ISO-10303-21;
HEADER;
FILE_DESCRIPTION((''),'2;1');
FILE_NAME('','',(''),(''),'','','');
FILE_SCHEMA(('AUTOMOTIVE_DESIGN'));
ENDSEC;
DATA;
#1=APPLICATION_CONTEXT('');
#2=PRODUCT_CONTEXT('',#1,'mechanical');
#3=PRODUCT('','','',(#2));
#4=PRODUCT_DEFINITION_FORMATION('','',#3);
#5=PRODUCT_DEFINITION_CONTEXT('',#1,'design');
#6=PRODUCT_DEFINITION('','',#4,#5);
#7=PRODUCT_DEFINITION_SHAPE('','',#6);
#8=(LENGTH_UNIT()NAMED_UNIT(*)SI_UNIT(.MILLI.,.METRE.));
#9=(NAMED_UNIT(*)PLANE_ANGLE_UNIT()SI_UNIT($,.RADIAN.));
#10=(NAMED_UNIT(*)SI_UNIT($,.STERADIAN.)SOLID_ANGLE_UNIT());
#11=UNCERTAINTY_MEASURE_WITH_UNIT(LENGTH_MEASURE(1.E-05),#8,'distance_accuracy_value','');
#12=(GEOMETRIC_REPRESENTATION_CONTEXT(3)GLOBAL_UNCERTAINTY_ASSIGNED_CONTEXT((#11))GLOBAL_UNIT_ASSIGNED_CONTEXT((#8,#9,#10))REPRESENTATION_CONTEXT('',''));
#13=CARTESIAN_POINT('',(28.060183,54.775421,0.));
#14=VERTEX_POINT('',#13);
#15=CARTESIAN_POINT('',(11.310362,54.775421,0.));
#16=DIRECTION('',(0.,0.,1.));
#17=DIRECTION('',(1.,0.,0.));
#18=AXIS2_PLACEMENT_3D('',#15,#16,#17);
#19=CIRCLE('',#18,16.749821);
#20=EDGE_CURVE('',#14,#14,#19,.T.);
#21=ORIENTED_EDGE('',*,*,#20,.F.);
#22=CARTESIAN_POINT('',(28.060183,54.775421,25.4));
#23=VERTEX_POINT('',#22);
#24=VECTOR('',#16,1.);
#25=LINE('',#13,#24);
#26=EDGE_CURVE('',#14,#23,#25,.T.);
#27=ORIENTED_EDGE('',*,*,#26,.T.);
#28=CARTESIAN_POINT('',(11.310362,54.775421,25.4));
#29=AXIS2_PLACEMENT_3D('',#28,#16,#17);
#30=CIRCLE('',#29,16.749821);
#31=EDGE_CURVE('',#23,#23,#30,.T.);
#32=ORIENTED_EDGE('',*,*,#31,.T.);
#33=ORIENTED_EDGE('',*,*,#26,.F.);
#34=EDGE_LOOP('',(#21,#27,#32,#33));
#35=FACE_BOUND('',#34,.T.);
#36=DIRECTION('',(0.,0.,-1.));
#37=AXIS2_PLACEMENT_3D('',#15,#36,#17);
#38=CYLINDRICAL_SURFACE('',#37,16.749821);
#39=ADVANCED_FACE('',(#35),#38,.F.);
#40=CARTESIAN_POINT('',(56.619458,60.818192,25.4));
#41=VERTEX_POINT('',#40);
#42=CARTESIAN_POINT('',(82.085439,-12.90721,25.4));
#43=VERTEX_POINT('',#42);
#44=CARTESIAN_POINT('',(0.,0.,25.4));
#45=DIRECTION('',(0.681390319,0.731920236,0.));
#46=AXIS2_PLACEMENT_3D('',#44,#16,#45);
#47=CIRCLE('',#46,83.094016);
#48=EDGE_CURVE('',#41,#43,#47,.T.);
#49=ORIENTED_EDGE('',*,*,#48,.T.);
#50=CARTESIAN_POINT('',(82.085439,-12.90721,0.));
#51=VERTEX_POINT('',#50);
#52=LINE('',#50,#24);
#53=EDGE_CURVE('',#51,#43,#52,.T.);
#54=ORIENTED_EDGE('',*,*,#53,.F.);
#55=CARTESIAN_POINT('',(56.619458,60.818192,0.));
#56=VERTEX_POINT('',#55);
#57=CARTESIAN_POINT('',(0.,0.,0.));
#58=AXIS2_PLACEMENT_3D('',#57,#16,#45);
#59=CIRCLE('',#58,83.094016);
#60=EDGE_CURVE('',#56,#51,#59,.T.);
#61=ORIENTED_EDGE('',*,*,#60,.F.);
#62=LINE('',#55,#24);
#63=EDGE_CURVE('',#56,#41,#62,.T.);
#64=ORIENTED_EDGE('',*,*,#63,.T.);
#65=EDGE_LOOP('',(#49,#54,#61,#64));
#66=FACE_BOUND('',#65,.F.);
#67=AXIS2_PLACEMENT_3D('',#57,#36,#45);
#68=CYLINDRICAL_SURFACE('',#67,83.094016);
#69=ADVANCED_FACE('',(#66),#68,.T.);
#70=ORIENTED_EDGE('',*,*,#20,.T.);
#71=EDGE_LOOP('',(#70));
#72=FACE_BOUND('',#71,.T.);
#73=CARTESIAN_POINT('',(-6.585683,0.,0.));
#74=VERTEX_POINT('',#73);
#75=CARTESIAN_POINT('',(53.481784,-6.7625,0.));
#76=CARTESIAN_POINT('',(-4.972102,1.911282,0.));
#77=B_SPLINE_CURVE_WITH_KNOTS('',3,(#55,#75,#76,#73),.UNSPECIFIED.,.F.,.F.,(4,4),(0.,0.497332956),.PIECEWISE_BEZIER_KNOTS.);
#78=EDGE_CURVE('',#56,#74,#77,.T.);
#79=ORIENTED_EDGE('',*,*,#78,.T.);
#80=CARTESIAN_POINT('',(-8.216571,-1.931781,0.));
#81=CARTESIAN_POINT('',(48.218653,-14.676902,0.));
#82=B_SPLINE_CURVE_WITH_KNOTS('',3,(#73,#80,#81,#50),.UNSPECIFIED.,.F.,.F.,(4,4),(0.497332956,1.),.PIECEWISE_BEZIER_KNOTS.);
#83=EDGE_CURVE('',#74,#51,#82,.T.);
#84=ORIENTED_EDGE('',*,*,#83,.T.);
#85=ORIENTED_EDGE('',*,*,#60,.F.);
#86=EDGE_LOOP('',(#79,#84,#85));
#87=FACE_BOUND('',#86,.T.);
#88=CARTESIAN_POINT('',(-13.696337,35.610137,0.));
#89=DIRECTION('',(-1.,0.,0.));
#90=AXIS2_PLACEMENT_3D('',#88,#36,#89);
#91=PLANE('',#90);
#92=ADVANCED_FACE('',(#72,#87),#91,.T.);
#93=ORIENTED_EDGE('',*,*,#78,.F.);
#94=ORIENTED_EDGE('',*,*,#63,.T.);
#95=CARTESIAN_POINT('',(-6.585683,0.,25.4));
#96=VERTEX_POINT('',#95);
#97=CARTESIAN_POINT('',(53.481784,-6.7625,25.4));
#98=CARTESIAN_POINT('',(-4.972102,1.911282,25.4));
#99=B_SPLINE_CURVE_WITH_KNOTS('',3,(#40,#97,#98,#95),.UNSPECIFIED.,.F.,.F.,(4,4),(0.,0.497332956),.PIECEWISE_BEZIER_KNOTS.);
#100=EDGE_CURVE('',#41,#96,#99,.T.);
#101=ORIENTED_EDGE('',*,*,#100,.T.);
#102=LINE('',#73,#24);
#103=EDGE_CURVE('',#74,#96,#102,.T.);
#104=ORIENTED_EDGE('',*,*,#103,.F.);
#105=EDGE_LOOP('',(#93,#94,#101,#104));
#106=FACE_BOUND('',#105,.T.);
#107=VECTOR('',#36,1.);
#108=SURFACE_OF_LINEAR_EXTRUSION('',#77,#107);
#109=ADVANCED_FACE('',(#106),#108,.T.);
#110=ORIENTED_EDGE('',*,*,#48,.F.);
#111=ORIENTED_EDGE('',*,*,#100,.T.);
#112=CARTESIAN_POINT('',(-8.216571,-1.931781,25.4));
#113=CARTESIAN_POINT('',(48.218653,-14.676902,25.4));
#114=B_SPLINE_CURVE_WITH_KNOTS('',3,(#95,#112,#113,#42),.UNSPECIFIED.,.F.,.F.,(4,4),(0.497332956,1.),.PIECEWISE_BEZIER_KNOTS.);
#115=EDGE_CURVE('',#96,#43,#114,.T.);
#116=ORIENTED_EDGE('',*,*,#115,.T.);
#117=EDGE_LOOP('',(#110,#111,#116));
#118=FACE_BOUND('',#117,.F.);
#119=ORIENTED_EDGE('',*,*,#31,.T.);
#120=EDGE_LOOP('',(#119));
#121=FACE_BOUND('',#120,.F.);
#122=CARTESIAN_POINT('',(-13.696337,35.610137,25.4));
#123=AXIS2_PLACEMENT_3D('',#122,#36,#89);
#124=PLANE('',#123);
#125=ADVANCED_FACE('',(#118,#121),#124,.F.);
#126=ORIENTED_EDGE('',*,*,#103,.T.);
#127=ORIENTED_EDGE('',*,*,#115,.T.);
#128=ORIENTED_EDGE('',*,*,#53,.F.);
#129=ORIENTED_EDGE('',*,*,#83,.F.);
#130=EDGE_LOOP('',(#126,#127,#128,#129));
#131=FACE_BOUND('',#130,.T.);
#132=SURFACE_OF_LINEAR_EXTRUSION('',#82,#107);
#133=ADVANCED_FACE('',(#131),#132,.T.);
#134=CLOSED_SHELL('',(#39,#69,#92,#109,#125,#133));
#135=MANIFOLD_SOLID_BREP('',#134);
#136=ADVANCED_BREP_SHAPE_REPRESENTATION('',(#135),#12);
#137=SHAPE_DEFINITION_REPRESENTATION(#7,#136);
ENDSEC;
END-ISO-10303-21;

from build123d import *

# Parameters (mm, degrees)
F0_R     = 16.7498212232
F1_DEPTH = 25.4


with BuildPart() as f1:
    # F0 (on Top) → F1 (new body)
    with BuildSketch(Plane.XY):
        with BuildLine():
            add(Edge.make_bspline(
                [(56.6194579005, 60.8181916177), (53.4817835413, -6.7624999007), (-4.9721019097, 1.911282091), (-6.585683208, 0)],
                knots=[0, 0, 0, 0, 0.4973329558, 0.4973329558, 0.4973329558, 0.4973329558], degree=3))
            ThreePointArc((56.6194579005, 60.8181916177), (-33.1653231635, 76.1884294632), (-83.0940156967, 0))
            Line((-83.0940156967, 0), (-6.585683208, 0))
        make_face()
        with Locations((11.3103622571, 54.7754205763)):
            Circle(F0_R, mode=Mode.SUBTRACT)
        with BuildLine():
            Line((-6.585683208, 0), (-83.0940156967, 0))
            ThreePointArc((-83.0940156967, 0), (-6.4732776713, -82.8414879199), (82.0854394843, -12.9072099721))
            add(Edge.make_bspline(
                [(-6.585683208, 0), (-8.2165707901, -1.9317813311), (48.218652864, -14.676902204), (82.0854394843, -12.9072099721)],
                knots=[0.4973329558, 0.4973329558, 0.4973329558, 0.4973329558, 1, 1, 1, 1], degree=3))
        make_face()
    extrude(amount=F1_DEPTH)


solid = f1.part
